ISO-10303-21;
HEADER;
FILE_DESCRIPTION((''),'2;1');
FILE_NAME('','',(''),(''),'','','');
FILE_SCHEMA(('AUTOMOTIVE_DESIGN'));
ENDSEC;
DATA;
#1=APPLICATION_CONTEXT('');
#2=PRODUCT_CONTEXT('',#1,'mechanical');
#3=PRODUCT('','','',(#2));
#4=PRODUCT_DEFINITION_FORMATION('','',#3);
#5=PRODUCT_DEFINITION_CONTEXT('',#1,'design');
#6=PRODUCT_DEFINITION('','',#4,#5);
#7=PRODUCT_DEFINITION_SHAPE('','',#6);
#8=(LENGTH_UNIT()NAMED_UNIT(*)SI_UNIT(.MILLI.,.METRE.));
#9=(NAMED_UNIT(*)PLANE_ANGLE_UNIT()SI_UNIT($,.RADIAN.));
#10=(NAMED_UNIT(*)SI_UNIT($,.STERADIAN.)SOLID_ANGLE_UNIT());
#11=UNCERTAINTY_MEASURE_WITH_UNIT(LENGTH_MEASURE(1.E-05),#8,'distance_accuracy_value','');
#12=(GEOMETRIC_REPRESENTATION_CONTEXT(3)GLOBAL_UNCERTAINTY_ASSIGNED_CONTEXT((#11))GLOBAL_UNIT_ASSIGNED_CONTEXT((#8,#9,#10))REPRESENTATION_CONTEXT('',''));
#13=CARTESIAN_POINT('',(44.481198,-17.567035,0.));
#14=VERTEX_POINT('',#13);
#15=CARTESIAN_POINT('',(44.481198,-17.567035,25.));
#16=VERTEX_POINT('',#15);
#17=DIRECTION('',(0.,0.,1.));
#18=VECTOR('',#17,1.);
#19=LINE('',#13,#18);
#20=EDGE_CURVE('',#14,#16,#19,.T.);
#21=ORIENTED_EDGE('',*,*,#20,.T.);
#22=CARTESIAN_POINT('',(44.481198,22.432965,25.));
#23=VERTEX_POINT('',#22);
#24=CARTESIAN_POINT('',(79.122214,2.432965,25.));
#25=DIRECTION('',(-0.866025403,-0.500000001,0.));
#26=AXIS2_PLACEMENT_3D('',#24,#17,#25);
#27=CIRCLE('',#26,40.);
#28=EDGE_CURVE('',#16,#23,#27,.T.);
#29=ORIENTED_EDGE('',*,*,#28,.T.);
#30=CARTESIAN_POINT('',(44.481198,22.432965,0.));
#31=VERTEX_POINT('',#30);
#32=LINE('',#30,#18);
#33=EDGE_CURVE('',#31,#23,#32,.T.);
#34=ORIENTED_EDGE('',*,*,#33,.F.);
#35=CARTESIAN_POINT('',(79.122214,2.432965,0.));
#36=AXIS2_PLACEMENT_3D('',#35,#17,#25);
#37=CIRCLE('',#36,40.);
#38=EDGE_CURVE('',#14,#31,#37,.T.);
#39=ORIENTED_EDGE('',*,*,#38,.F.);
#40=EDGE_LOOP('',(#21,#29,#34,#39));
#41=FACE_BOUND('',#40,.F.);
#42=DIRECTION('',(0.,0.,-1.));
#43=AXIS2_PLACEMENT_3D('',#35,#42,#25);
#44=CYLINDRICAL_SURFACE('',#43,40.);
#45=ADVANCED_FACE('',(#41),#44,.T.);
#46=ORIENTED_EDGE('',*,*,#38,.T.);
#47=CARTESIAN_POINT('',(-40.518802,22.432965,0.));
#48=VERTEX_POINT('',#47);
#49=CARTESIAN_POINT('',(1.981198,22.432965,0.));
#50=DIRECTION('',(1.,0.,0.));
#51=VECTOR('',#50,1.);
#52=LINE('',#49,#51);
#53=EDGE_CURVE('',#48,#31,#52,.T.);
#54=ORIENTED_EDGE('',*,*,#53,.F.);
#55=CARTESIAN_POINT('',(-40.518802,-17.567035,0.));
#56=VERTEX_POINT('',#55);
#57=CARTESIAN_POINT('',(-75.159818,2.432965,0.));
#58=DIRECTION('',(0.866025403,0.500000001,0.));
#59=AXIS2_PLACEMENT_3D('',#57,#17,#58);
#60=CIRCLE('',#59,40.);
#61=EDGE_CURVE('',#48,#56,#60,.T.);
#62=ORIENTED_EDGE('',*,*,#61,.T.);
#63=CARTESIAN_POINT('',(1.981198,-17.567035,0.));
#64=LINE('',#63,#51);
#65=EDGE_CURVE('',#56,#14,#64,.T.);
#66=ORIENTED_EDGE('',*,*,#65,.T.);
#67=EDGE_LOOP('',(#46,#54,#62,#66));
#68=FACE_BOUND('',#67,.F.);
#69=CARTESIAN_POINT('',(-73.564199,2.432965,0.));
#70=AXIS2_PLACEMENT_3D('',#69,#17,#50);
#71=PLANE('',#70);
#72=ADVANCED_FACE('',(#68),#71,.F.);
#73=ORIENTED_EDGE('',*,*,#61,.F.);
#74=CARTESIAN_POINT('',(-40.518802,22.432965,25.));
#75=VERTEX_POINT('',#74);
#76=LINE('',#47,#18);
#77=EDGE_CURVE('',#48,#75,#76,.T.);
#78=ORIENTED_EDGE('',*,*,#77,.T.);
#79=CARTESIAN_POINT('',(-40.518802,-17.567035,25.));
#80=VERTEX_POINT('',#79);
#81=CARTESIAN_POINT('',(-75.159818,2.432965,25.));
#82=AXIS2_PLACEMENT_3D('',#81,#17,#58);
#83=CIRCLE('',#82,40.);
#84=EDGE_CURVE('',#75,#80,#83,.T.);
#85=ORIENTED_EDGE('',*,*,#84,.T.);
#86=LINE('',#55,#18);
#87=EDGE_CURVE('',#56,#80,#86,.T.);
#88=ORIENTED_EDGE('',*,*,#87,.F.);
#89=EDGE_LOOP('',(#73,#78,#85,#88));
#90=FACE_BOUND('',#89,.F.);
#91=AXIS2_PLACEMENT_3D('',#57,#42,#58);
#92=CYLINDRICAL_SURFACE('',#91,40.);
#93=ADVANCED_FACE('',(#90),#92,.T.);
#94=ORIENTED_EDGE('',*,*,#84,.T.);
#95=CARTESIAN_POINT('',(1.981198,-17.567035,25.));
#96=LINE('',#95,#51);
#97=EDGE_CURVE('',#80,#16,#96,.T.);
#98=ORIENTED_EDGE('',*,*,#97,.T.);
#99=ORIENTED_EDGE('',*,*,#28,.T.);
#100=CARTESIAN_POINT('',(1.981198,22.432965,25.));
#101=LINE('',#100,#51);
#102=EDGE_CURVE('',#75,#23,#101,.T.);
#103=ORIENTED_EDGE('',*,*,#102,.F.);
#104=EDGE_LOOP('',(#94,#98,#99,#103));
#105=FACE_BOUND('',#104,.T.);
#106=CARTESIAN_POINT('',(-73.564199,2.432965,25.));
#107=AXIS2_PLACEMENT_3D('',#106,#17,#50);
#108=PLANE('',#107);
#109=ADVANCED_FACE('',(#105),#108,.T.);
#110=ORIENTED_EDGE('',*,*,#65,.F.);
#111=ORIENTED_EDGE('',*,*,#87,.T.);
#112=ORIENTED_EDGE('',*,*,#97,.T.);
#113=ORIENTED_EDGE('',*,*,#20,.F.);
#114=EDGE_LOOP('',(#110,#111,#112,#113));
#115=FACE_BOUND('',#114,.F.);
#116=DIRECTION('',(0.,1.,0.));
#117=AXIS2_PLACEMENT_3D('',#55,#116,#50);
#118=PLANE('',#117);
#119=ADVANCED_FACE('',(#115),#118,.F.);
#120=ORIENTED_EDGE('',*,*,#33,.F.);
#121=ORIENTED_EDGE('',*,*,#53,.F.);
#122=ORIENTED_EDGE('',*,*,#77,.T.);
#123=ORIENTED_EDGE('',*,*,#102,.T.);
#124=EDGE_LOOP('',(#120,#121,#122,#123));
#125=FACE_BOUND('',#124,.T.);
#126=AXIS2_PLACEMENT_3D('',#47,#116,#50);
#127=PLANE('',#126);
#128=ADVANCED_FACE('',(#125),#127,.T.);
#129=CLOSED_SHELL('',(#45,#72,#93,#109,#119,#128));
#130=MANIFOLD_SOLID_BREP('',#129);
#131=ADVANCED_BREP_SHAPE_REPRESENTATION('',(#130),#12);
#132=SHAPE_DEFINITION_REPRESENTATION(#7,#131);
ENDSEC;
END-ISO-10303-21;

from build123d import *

# Parameters (mm, degrees)
F0_W     = 85
F0_H     = 40
F1_DEPTH = 25


with BuildPart() as f1:
    # F0 (on Top) → F1 (new body)
    with BuildSketch(Plane.XY):
        with BuildLine():
            Line((-40.518802, -17.567035), (-40.518802, 22.432965))
            ThreePointArc((-40.518802, 22.432965), (-115.159818, 2.432965), (-40.518802, -17.567035))
        make_face()
        with BuildLine():
            ThreePointArc((44.481198, -17.567035), (119.122214, 2.432965), (44.481198, 22.432965))
            Line((44.481198, 22.432965), (44.481198, -17.567035))
        make_face()
        with Locations((1.981198, 2.432965)):
            Rectangle(F0_W, F0_H)
    extrude(amount=F1_DEPTH)


solid = f1.part
